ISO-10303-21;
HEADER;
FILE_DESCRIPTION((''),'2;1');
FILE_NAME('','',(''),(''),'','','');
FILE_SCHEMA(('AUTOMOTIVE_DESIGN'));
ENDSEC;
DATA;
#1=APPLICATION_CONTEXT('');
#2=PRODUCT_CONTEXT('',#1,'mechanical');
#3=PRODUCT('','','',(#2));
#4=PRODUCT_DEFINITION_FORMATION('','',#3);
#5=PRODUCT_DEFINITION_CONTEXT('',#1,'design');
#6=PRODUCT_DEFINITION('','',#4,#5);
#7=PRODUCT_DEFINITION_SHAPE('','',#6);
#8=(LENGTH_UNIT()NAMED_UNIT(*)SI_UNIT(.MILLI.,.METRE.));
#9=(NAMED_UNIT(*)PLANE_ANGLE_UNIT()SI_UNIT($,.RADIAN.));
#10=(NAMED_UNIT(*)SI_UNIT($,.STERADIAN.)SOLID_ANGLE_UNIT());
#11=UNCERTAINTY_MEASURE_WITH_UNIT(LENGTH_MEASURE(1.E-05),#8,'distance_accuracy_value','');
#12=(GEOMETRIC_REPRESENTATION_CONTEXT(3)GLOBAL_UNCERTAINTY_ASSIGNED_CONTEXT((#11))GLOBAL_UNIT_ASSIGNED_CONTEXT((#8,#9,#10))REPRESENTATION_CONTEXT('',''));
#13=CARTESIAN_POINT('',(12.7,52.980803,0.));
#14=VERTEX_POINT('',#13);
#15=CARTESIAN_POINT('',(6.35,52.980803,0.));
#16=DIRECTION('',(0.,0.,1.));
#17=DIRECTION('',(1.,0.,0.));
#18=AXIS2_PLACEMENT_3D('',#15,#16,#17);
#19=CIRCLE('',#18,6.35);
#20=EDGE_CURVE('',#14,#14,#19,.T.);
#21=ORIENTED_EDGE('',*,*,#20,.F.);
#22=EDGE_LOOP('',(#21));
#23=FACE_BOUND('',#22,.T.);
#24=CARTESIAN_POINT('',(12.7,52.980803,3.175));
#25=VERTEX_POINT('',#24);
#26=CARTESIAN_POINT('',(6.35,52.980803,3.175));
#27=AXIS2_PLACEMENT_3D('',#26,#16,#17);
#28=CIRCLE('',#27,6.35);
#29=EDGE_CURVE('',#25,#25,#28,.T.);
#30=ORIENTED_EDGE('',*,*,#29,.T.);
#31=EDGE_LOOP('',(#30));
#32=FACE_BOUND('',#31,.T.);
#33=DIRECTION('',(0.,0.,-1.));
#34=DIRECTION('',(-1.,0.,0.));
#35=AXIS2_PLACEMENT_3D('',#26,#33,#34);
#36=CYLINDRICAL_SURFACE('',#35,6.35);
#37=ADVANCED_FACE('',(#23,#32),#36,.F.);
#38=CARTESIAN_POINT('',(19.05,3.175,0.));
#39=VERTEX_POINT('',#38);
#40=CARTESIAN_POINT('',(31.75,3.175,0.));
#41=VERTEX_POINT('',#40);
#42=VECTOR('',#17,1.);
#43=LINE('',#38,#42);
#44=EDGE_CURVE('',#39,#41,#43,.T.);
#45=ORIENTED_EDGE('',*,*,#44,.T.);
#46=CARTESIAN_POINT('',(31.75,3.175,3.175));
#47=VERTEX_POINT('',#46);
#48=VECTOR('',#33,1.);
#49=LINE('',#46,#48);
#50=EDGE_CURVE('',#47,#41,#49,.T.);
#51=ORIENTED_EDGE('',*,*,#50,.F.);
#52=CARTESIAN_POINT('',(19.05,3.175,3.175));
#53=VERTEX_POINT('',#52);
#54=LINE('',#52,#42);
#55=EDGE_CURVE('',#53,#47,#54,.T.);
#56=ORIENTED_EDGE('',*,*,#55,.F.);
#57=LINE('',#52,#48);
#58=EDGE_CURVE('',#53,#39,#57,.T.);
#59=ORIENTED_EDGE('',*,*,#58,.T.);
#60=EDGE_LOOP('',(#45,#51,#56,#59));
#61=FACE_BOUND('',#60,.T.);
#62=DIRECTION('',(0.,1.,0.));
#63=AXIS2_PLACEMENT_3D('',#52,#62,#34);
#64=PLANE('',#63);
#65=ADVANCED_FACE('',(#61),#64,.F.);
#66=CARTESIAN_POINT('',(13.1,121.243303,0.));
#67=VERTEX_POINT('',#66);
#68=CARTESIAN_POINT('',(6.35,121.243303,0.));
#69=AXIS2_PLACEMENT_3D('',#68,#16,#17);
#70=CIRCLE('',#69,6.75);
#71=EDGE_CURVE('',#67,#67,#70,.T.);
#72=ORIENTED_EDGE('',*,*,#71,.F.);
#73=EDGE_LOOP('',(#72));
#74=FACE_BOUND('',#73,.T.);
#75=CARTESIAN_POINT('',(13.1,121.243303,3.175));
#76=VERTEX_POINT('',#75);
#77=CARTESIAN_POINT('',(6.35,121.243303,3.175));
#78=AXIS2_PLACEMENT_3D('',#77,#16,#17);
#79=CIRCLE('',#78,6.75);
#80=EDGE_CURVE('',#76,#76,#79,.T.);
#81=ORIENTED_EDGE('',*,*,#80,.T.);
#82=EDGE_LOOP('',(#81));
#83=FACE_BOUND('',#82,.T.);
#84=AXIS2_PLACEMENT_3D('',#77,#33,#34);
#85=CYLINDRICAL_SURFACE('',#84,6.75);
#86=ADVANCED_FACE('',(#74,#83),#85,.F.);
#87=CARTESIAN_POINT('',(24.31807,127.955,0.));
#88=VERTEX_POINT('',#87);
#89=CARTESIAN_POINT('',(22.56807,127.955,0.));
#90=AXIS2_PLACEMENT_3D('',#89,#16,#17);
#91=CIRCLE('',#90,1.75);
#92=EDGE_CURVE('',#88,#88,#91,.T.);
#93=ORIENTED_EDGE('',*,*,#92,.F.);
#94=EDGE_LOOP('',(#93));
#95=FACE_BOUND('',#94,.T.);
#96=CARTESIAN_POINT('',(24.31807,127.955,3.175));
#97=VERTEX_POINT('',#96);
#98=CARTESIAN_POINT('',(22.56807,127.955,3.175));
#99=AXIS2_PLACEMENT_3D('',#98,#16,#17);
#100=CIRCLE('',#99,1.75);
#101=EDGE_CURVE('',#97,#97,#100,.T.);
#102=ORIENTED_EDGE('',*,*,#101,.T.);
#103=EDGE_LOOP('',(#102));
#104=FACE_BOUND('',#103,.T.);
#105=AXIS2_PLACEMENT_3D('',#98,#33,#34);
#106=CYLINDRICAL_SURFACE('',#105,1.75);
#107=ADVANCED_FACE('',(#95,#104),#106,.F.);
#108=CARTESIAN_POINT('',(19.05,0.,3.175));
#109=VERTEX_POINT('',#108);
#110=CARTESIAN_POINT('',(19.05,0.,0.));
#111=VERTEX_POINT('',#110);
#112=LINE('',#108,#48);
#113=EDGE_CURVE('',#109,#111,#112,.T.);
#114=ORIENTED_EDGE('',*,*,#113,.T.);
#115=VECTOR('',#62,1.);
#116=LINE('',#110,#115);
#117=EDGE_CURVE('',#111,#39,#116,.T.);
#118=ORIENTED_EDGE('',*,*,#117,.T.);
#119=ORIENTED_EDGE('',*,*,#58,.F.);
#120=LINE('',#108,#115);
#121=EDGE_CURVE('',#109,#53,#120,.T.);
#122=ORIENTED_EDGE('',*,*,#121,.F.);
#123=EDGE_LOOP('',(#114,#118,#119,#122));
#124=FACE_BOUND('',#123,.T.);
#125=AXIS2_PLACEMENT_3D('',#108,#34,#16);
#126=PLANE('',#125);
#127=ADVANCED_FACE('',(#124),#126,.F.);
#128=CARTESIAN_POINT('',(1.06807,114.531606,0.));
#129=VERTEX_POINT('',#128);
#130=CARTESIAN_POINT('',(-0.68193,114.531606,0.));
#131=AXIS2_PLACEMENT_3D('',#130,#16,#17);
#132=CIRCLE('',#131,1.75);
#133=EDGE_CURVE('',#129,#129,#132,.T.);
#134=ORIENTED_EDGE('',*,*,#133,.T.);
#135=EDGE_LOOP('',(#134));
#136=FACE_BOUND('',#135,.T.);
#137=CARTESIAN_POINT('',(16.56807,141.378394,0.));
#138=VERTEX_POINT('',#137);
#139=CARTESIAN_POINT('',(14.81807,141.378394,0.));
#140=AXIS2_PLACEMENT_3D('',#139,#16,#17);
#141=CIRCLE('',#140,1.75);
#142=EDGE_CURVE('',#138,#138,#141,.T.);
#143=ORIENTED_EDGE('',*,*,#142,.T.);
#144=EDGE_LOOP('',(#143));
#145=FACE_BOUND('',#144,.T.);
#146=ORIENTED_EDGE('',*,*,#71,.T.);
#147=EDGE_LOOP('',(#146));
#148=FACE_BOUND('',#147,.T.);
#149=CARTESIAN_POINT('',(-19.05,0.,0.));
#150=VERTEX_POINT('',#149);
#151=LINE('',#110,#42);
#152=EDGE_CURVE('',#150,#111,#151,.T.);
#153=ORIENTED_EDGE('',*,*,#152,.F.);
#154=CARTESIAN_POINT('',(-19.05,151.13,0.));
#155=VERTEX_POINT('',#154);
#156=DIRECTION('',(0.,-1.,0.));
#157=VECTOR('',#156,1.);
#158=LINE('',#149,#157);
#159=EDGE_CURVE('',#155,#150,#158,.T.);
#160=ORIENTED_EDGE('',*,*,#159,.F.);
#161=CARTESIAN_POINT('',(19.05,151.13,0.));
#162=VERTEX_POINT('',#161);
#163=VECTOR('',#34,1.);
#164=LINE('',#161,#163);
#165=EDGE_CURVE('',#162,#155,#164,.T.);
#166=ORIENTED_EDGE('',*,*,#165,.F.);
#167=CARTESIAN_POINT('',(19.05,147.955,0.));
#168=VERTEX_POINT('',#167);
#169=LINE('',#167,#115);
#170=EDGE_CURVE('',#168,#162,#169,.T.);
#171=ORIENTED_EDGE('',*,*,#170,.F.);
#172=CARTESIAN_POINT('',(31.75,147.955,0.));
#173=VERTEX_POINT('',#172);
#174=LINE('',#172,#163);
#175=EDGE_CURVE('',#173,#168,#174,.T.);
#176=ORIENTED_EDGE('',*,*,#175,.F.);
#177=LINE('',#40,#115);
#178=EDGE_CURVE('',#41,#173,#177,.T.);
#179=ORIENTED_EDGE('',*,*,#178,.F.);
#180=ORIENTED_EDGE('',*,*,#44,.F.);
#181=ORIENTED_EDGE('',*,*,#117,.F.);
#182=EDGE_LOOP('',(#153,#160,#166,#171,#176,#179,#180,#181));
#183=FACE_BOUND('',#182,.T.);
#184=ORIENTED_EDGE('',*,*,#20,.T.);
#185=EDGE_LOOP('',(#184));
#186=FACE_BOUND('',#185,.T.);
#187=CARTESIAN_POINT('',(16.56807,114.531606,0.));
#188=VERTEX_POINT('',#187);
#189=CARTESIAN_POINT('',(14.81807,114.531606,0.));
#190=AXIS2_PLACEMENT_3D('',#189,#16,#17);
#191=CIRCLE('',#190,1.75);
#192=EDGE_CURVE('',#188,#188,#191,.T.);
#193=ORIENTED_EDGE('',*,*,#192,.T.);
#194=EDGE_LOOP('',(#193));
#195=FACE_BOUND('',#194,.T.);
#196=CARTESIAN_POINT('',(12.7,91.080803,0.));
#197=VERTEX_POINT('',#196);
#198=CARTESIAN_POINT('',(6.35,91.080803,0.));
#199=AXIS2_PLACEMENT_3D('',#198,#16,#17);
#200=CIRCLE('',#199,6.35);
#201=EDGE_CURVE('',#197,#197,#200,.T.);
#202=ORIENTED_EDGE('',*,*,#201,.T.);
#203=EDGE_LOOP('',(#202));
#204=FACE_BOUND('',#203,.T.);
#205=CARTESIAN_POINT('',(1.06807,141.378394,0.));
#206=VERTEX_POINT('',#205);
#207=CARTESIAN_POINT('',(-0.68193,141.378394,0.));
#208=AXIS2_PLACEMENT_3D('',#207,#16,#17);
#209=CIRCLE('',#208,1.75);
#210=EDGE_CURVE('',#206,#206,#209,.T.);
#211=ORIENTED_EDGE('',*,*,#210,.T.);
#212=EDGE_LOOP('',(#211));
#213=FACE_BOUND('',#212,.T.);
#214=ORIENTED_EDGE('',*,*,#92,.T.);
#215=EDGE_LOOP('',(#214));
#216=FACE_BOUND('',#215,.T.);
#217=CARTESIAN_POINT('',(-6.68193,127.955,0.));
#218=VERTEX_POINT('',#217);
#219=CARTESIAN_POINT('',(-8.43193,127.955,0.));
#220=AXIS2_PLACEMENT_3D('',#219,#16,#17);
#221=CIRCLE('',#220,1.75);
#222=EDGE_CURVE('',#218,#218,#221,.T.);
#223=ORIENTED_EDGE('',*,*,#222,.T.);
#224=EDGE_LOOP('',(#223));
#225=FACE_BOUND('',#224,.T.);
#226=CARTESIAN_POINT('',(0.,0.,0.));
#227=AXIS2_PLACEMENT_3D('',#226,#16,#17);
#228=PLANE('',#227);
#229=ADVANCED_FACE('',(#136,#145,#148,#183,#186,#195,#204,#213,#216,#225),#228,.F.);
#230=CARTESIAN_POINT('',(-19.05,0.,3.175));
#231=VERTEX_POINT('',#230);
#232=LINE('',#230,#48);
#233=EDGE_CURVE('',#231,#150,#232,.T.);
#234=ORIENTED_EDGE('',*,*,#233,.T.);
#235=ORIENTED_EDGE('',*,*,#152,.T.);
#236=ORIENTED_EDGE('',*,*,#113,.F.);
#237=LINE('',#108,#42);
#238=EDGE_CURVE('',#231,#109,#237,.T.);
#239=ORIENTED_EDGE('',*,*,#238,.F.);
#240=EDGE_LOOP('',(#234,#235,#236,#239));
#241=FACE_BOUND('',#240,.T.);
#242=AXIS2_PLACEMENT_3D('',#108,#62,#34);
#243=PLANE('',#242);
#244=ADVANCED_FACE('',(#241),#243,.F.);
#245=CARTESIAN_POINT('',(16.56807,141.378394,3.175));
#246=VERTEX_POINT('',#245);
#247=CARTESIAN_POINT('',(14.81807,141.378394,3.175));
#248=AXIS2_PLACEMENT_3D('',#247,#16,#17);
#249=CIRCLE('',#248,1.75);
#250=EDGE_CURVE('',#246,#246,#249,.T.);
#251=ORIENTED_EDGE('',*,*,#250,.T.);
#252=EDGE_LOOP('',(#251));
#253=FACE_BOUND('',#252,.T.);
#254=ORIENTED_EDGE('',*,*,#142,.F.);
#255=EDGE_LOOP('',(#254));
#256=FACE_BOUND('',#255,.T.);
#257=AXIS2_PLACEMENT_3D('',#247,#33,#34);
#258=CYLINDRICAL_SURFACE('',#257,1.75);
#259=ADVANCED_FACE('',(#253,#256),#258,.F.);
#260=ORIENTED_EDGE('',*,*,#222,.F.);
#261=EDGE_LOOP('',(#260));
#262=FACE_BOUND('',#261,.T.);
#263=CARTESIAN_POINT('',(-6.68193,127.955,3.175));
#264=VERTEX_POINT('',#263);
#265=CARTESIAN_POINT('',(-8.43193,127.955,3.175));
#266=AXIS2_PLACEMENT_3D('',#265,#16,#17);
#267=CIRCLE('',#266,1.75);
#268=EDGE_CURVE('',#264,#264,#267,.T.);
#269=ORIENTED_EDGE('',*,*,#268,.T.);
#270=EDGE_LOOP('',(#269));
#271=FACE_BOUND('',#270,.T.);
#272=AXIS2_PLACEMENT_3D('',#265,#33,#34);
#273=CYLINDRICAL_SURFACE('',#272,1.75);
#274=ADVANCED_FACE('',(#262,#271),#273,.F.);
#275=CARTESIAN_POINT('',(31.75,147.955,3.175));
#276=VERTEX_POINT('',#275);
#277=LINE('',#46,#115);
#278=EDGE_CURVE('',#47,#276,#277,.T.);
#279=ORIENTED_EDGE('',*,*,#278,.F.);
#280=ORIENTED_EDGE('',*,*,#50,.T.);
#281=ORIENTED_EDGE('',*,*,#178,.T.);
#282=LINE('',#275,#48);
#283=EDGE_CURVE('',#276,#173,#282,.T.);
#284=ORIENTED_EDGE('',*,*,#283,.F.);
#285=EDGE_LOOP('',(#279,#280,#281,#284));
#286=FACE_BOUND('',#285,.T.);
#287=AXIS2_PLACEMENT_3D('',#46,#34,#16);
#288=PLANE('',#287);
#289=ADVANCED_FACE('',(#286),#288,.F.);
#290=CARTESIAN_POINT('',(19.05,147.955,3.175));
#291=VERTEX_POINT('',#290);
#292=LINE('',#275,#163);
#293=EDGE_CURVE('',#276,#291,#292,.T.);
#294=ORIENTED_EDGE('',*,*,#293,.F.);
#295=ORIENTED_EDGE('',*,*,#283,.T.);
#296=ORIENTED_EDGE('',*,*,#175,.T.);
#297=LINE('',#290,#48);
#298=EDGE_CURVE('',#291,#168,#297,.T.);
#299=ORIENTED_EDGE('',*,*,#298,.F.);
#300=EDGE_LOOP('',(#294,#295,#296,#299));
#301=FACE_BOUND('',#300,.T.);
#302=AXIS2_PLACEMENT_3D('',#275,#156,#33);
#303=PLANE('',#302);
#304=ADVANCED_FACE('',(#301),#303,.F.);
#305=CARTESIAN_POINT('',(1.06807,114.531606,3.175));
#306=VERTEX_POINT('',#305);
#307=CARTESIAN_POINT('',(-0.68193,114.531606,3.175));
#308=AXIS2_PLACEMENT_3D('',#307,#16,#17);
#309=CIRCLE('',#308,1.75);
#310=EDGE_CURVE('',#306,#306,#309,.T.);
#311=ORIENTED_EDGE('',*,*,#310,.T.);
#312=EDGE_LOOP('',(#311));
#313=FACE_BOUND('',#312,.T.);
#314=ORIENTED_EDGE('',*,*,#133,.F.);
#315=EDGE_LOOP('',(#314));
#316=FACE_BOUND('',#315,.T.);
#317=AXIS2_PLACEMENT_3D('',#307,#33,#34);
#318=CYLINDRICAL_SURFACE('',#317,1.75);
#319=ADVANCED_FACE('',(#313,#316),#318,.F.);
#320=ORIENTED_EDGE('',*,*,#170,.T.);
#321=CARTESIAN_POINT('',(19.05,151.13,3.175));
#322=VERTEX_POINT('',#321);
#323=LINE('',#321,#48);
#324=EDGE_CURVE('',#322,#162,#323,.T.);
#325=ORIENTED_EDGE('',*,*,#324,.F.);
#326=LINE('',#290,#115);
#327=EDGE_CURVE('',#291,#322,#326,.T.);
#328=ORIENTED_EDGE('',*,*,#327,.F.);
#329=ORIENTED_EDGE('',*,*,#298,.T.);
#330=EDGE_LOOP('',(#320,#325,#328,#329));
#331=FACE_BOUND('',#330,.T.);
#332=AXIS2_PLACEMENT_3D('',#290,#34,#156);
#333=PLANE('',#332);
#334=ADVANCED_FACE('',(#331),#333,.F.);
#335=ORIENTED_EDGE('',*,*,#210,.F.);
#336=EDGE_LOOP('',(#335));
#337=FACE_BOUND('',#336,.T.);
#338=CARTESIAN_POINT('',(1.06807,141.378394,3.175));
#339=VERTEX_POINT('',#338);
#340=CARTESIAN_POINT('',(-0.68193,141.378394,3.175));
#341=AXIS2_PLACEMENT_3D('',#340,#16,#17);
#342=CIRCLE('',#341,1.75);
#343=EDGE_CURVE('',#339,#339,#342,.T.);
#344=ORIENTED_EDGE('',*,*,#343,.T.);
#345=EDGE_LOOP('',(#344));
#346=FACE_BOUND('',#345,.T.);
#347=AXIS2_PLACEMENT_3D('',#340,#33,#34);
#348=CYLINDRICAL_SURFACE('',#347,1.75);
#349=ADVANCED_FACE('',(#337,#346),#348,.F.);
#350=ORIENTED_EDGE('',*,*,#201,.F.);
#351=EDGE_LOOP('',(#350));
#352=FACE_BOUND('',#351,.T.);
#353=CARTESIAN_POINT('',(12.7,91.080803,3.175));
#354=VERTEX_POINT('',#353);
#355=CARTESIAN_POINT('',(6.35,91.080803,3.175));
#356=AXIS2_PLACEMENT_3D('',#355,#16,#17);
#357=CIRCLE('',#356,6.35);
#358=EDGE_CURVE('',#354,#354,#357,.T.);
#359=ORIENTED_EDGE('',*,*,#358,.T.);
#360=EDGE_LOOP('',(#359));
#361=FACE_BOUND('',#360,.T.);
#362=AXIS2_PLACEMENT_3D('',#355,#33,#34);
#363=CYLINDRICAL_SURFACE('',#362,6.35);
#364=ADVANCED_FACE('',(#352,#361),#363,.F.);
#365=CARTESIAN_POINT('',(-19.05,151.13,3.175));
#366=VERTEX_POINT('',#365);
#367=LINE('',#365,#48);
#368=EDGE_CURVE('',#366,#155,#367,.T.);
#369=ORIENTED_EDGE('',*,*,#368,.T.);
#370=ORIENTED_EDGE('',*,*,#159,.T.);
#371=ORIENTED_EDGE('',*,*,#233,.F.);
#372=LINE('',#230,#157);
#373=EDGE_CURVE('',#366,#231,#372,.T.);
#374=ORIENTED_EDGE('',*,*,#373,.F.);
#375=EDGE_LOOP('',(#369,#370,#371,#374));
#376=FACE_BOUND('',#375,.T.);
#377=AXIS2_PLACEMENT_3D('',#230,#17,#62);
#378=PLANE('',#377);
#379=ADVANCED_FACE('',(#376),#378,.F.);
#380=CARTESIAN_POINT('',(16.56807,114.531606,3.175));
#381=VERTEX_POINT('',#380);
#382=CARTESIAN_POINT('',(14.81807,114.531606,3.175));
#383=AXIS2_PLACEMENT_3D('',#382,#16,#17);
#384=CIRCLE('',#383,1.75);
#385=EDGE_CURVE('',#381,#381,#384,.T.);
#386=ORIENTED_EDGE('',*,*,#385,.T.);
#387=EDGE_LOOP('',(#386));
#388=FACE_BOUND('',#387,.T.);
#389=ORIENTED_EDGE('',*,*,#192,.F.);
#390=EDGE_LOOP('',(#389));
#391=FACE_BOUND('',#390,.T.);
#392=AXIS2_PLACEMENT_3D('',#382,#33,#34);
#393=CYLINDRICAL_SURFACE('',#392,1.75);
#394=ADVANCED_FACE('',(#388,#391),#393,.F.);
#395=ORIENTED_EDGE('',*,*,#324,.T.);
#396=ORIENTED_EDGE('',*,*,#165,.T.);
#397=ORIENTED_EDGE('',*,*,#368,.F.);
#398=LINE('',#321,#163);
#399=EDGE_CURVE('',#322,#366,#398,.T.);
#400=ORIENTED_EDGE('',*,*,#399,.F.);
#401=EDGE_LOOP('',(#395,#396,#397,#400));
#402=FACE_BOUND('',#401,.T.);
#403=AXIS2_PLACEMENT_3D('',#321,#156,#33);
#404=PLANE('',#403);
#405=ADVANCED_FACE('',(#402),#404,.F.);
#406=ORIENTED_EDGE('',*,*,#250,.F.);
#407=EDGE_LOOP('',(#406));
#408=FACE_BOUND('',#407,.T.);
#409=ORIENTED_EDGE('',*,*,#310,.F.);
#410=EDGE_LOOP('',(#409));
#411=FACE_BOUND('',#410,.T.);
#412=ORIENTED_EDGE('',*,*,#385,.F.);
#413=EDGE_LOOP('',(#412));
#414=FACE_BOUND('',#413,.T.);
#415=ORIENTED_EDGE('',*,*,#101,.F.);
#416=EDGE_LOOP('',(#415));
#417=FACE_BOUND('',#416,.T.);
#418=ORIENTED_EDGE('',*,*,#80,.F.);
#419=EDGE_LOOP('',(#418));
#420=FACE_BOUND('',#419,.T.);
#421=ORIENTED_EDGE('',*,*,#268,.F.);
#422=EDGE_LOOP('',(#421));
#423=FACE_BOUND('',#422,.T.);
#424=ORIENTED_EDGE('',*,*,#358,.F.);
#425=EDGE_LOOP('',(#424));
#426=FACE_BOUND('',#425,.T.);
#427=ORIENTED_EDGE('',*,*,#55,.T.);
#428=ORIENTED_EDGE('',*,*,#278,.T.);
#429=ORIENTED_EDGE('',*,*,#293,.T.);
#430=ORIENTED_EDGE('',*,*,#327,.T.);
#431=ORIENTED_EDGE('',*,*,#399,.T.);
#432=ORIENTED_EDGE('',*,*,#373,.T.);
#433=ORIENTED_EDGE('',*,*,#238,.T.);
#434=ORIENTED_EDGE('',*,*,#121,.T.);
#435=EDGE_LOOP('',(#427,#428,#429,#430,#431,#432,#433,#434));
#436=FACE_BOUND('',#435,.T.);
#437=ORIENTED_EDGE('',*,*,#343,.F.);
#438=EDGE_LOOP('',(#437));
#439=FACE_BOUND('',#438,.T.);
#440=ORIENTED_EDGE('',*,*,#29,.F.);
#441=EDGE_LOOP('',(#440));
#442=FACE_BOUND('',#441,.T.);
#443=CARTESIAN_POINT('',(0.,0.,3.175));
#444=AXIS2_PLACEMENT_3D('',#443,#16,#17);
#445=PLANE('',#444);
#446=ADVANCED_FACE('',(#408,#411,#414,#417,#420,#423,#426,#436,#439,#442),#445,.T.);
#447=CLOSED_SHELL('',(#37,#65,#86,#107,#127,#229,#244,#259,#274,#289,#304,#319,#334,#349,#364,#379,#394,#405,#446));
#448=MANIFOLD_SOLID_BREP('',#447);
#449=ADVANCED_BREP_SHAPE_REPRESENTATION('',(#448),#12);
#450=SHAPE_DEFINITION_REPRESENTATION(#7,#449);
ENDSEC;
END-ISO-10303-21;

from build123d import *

# Parameters (mm, degrees)
SKETCH_1_R      = 6.75
SKETCH_1_R_2    = 1.75
SKETCH_1_R_3    = 6.35
EXTRUDE_1_DEPTH = 3.175


with BuildPart() as part:
    # Эскиз1 → Бобышка-Вытянуть1 (new body)
    with BuildSketch(Plane.XY):
        Polygon((19.05, 151.13), (-19.05, 151.13), (-19.05, 0), (19.05, 0), (19.05, 3.175), (31.75, 3.175), (31.75, 147.955), (19.05, 147.955), align=None)
        with Locations((6.35, 121.243303121)):
            Circle(SKETCH_1_R, mode=Mode.SUBTRACT)
        with Locations((22.568070331, 127.955)):
            Circle(SKETCH_1_R_2, mode=Mode.SUBTRACT)
        with Locations((14.818070331, 114.531606241)):
            Circle(SKETCH_1_R_2, mode=Mode.SUBTRACT)
        with Locations((-0.681929669, 114.531606241)):
            Circle(SKETCH_1_R_2, mode=Mode.SUBTRACT)
        with Locations((-8.431929669, 127.955)):
            Circle(SKETCH_1_R_2, mode=Mode.SUBTRACT)
        with Locations((-0.681929669, 141.378393759)):
            Circle(SKETCH_1_R_2, mode=Mode.SUBTRACT)
        with Locations((14.818070331, 141.378393759)):
            Circle(SKETCH_1_R_2, mode=Mode.SUBTRACT)
        with Locations((6.35, 91.080803121)):
            Circle(SKETCH_1_R_3, mode=Mode.SUBTRACT)
        with Locations((6.35, 52.980803121)):
            Circle(SKETCH_1_R_3, mode=Mode.SUBTRACT)
    extrude(amount=EXTRUDE_1_DEPTH)


solid = part.part
